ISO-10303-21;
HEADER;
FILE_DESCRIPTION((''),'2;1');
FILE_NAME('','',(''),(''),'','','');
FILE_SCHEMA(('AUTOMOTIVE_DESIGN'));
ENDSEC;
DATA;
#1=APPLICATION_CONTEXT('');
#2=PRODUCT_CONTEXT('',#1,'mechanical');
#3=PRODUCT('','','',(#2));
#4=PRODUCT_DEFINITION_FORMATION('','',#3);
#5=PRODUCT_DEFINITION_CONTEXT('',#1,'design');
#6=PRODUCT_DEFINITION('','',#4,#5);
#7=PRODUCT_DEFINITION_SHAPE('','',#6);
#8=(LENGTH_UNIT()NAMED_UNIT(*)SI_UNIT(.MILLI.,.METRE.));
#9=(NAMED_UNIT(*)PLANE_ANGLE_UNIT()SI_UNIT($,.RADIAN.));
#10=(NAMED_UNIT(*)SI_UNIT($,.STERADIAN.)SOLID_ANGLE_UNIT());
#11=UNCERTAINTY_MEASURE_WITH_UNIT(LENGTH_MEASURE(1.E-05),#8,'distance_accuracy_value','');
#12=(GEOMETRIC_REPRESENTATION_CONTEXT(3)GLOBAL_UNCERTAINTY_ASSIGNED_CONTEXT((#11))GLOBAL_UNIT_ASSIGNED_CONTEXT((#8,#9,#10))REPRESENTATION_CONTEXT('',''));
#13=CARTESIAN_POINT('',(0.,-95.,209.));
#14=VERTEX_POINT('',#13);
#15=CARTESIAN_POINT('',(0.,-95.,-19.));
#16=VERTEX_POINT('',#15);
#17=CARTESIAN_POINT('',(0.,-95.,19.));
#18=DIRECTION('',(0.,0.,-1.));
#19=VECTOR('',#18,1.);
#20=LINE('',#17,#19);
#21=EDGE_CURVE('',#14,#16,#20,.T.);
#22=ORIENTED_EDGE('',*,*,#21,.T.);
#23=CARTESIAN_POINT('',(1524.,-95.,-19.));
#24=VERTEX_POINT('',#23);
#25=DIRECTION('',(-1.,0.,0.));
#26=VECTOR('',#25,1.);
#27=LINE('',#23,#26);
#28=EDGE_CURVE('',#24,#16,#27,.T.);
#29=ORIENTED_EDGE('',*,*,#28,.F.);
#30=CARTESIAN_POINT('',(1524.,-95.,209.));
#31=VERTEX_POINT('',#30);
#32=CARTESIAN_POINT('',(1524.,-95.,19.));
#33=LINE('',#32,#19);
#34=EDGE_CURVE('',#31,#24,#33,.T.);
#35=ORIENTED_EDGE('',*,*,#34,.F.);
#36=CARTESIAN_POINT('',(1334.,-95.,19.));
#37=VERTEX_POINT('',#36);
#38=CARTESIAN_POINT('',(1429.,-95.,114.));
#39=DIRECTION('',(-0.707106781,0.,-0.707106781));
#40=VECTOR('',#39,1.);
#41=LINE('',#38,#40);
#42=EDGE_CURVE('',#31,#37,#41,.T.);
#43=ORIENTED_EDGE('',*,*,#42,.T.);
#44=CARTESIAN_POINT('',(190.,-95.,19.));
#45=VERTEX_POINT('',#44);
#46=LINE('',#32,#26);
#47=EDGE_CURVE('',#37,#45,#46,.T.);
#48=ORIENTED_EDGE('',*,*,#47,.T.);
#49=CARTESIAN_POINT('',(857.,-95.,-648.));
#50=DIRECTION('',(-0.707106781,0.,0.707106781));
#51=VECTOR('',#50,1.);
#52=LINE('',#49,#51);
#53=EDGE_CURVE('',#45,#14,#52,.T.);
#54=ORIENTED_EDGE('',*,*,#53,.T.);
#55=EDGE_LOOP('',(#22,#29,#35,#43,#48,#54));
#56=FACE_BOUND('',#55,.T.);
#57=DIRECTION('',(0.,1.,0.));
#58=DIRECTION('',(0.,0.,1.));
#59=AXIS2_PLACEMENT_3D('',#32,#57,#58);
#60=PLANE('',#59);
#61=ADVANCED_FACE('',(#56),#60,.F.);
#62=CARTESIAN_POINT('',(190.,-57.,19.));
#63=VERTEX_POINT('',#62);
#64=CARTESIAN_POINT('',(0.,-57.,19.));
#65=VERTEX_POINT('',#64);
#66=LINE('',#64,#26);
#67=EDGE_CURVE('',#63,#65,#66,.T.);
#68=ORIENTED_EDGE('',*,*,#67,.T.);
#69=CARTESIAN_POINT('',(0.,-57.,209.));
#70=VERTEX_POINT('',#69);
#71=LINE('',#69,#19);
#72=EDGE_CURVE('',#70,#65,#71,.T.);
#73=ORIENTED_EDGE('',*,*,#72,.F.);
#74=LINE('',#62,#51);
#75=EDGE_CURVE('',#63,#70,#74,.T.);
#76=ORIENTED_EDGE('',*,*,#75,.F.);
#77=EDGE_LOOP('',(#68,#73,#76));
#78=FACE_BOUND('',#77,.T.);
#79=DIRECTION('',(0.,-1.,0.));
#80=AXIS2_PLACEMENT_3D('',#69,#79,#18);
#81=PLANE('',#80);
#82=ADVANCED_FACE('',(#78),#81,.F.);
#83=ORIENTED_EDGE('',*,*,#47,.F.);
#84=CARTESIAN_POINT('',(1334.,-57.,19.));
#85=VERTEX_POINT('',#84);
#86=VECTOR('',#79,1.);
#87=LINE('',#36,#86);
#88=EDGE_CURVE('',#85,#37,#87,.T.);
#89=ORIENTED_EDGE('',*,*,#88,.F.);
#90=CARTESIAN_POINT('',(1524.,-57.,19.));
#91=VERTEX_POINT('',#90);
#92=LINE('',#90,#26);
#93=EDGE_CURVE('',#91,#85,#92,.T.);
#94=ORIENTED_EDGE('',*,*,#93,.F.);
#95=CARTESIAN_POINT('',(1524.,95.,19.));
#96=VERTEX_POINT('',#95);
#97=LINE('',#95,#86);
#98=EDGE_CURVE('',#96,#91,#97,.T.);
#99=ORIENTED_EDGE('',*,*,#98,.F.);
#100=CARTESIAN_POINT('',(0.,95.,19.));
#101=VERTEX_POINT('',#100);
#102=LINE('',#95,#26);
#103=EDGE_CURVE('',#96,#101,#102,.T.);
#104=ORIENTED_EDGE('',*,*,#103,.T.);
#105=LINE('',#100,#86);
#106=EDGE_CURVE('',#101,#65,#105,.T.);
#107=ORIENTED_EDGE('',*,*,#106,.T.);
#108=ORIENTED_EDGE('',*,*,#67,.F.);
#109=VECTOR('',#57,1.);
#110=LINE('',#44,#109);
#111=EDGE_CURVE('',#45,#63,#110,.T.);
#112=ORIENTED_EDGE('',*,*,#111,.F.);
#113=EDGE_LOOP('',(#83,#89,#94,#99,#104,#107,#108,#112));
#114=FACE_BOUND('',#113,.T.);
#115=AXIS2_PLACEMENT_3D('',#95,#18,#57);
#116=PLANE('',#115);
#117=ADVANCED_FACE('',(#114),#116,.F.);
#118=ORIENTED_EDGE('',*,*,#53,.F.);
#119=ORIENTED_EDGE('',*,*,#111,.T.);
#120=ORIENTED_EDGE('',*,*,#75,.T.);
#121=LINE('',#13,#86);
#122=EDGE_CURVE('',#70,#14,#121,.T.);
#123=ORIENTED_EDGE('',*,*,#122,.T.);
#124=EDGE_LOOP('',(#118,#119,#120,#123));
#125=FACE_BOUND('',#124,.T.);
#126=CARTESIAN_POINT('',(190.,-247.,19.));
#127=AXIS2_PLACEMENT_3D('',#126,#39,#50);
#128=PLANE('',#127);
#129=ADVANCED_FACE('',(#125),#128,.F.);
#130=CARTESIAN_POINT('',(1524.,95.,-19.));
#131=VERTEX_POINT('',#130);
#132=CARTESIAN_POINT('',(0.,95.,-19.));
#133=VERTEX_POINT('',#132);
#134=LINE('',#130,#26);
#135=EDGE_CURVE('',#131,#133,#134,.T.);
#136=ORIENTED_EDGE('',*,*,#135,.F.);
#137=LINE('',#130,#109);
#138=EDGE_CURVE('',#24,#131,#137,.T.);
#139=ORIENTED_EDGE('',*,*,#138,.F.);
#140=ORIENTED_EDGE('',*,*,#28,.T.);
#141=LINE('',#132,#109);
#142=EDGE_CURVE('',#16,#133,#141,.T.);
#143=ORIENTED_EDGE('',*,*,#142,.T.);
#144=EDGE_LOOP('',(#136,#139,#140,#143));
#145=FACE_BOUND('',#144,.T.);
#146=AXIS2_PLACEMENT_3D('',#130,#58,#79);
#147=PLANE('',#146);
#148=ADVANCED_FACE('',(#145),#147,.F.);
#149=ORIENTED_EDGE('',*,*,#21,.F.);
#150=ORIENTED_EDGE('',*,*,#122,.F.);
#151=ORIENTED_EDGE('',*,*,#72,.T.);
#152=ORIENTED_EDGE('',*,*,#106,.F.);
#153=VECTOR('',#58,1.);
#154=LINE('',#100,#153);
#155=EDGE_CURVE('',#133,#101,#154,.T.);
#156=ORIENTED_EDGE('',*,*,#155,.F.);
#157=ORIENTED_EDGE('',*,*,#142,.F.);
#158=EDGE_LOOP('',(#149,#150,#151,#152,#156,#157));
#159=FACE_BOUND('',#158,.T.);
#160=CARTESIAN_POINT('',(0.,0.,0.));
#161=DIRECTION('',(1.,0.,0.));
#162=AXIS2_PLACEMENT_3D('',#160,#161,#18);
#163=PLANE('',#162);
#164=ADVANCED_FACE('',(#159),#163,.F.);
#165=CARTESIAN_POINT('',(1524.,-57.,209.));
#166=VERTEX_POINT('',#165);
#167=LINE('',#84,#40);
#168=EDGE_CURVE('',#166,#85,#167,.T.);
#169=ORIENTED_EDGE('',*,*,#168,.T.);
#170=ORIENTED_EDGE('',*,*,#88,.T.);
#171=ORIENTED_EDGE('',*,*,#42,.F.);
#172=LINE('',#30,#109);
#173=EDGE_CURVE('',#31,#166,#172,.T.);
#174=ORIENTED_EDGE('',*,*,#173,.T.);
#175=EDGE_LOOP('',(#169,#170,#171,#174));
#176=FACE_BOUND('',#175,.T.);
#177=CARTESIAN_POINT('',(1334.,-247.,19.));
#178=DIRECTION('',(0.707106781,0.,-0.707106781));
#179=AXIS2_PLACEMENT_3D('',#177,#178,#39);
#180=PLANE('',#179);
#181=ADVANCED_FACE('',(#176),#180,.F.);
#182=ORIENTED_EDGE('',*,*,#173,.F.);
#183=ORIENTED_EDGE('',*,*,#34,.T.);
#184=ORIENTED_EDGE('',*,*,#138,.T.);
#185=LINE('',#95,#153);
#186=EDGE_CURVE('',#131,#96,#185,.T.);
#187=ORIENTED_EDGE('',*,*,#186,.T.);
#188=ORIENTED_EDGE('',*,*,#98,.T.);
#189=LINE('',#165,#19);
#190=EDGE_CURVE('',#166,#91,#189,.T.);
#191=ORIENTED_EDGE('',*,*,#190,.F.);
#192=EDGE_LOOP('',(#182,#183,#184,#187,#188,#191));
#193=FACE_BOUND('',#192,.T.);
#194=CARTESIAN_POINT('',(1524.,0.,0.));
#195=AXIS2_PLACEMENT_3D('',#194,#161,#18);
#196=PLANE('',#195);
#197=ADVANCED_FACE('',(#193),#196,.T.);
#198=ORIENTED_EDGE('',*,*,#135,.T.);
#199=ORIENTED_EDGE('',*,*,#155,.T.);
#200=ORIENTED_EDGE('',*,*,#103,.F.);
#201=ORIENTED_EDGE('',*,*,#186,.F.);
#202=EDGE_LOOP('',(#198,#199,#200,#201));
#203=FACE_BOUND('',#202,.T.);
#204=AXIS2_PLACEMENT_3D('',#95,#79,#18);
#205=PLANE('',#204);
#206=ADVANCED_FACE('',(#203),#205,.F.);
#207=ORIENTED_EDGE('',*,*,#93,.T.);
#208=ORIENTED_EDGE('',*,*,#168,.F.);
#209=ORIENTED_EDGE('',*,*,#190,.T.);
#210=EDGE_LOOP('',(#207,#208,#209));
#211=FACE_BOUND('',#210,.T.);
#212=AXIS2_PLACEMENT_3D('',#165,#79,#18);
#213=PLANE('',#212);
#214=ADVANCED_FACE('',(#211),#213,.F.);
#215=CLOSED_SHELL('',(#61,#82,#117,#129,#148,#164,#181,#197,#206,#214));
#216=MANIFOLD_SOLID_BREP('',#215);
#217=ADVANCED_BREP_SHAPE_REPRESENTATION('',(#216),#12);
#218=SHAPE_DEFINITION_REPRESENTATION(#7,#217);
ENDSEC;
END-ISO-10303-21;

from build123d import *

# Parameters (mm, degrees)
SKETCH1_W           = 38
SKETCH1_H           = 190
BOSS_EXTRUDE1_DEPTH = 1524
SKETCH2_W           = 190
SKETCH2_H           = 38
BOSS_EXTRUDE2_DEPTH = 190
CUT_EXTRUDE1_DEPTH  = 190


with BuildPart() as part:
    # Sketch1 → Boss-Extrude1 (new body)
    with BuildSketch(Plane(origin=(0, 0, 0), x_dir=(0, 0, -1), z_dir=(1, 0, 0))):
        Rectangle(SKETCH1_W, SKETCH1_H)
    extrude(amount=BOSS_EXTRUDE1_DEPTH)

    # Sketch2 → Boss-Extrude2 (add)
    with BuildSketch(Plane.XY.offset(19)):
        with Locations((95, -76)):
            Rectangle(SKETCH2_W, SKETCH2_H)
        with Locations((1429, -76)):
            Rectangle(SKETCH2_W, SKETCH2_H)
    extrude(amount=BOSS_EXTRUDE2_DEPTH)

    # Sketch3 → Cut-Extrude1 (cut)
    with BuildSketch(Plane(origin=(0, -57, 0), x_dir=(1, 0, 0), z_dir=(0, 1, 0))):
        Polygon((190, -19), (0, -209), (190, -209), align=None)
        Polygon((1334, -19), (1524, -209), (1334, -209), align=None)
    extrude(amount=-CUT_EXTRUDE1_DEPTH, mode=Mode.SUBTRACT)


solid = part.part
